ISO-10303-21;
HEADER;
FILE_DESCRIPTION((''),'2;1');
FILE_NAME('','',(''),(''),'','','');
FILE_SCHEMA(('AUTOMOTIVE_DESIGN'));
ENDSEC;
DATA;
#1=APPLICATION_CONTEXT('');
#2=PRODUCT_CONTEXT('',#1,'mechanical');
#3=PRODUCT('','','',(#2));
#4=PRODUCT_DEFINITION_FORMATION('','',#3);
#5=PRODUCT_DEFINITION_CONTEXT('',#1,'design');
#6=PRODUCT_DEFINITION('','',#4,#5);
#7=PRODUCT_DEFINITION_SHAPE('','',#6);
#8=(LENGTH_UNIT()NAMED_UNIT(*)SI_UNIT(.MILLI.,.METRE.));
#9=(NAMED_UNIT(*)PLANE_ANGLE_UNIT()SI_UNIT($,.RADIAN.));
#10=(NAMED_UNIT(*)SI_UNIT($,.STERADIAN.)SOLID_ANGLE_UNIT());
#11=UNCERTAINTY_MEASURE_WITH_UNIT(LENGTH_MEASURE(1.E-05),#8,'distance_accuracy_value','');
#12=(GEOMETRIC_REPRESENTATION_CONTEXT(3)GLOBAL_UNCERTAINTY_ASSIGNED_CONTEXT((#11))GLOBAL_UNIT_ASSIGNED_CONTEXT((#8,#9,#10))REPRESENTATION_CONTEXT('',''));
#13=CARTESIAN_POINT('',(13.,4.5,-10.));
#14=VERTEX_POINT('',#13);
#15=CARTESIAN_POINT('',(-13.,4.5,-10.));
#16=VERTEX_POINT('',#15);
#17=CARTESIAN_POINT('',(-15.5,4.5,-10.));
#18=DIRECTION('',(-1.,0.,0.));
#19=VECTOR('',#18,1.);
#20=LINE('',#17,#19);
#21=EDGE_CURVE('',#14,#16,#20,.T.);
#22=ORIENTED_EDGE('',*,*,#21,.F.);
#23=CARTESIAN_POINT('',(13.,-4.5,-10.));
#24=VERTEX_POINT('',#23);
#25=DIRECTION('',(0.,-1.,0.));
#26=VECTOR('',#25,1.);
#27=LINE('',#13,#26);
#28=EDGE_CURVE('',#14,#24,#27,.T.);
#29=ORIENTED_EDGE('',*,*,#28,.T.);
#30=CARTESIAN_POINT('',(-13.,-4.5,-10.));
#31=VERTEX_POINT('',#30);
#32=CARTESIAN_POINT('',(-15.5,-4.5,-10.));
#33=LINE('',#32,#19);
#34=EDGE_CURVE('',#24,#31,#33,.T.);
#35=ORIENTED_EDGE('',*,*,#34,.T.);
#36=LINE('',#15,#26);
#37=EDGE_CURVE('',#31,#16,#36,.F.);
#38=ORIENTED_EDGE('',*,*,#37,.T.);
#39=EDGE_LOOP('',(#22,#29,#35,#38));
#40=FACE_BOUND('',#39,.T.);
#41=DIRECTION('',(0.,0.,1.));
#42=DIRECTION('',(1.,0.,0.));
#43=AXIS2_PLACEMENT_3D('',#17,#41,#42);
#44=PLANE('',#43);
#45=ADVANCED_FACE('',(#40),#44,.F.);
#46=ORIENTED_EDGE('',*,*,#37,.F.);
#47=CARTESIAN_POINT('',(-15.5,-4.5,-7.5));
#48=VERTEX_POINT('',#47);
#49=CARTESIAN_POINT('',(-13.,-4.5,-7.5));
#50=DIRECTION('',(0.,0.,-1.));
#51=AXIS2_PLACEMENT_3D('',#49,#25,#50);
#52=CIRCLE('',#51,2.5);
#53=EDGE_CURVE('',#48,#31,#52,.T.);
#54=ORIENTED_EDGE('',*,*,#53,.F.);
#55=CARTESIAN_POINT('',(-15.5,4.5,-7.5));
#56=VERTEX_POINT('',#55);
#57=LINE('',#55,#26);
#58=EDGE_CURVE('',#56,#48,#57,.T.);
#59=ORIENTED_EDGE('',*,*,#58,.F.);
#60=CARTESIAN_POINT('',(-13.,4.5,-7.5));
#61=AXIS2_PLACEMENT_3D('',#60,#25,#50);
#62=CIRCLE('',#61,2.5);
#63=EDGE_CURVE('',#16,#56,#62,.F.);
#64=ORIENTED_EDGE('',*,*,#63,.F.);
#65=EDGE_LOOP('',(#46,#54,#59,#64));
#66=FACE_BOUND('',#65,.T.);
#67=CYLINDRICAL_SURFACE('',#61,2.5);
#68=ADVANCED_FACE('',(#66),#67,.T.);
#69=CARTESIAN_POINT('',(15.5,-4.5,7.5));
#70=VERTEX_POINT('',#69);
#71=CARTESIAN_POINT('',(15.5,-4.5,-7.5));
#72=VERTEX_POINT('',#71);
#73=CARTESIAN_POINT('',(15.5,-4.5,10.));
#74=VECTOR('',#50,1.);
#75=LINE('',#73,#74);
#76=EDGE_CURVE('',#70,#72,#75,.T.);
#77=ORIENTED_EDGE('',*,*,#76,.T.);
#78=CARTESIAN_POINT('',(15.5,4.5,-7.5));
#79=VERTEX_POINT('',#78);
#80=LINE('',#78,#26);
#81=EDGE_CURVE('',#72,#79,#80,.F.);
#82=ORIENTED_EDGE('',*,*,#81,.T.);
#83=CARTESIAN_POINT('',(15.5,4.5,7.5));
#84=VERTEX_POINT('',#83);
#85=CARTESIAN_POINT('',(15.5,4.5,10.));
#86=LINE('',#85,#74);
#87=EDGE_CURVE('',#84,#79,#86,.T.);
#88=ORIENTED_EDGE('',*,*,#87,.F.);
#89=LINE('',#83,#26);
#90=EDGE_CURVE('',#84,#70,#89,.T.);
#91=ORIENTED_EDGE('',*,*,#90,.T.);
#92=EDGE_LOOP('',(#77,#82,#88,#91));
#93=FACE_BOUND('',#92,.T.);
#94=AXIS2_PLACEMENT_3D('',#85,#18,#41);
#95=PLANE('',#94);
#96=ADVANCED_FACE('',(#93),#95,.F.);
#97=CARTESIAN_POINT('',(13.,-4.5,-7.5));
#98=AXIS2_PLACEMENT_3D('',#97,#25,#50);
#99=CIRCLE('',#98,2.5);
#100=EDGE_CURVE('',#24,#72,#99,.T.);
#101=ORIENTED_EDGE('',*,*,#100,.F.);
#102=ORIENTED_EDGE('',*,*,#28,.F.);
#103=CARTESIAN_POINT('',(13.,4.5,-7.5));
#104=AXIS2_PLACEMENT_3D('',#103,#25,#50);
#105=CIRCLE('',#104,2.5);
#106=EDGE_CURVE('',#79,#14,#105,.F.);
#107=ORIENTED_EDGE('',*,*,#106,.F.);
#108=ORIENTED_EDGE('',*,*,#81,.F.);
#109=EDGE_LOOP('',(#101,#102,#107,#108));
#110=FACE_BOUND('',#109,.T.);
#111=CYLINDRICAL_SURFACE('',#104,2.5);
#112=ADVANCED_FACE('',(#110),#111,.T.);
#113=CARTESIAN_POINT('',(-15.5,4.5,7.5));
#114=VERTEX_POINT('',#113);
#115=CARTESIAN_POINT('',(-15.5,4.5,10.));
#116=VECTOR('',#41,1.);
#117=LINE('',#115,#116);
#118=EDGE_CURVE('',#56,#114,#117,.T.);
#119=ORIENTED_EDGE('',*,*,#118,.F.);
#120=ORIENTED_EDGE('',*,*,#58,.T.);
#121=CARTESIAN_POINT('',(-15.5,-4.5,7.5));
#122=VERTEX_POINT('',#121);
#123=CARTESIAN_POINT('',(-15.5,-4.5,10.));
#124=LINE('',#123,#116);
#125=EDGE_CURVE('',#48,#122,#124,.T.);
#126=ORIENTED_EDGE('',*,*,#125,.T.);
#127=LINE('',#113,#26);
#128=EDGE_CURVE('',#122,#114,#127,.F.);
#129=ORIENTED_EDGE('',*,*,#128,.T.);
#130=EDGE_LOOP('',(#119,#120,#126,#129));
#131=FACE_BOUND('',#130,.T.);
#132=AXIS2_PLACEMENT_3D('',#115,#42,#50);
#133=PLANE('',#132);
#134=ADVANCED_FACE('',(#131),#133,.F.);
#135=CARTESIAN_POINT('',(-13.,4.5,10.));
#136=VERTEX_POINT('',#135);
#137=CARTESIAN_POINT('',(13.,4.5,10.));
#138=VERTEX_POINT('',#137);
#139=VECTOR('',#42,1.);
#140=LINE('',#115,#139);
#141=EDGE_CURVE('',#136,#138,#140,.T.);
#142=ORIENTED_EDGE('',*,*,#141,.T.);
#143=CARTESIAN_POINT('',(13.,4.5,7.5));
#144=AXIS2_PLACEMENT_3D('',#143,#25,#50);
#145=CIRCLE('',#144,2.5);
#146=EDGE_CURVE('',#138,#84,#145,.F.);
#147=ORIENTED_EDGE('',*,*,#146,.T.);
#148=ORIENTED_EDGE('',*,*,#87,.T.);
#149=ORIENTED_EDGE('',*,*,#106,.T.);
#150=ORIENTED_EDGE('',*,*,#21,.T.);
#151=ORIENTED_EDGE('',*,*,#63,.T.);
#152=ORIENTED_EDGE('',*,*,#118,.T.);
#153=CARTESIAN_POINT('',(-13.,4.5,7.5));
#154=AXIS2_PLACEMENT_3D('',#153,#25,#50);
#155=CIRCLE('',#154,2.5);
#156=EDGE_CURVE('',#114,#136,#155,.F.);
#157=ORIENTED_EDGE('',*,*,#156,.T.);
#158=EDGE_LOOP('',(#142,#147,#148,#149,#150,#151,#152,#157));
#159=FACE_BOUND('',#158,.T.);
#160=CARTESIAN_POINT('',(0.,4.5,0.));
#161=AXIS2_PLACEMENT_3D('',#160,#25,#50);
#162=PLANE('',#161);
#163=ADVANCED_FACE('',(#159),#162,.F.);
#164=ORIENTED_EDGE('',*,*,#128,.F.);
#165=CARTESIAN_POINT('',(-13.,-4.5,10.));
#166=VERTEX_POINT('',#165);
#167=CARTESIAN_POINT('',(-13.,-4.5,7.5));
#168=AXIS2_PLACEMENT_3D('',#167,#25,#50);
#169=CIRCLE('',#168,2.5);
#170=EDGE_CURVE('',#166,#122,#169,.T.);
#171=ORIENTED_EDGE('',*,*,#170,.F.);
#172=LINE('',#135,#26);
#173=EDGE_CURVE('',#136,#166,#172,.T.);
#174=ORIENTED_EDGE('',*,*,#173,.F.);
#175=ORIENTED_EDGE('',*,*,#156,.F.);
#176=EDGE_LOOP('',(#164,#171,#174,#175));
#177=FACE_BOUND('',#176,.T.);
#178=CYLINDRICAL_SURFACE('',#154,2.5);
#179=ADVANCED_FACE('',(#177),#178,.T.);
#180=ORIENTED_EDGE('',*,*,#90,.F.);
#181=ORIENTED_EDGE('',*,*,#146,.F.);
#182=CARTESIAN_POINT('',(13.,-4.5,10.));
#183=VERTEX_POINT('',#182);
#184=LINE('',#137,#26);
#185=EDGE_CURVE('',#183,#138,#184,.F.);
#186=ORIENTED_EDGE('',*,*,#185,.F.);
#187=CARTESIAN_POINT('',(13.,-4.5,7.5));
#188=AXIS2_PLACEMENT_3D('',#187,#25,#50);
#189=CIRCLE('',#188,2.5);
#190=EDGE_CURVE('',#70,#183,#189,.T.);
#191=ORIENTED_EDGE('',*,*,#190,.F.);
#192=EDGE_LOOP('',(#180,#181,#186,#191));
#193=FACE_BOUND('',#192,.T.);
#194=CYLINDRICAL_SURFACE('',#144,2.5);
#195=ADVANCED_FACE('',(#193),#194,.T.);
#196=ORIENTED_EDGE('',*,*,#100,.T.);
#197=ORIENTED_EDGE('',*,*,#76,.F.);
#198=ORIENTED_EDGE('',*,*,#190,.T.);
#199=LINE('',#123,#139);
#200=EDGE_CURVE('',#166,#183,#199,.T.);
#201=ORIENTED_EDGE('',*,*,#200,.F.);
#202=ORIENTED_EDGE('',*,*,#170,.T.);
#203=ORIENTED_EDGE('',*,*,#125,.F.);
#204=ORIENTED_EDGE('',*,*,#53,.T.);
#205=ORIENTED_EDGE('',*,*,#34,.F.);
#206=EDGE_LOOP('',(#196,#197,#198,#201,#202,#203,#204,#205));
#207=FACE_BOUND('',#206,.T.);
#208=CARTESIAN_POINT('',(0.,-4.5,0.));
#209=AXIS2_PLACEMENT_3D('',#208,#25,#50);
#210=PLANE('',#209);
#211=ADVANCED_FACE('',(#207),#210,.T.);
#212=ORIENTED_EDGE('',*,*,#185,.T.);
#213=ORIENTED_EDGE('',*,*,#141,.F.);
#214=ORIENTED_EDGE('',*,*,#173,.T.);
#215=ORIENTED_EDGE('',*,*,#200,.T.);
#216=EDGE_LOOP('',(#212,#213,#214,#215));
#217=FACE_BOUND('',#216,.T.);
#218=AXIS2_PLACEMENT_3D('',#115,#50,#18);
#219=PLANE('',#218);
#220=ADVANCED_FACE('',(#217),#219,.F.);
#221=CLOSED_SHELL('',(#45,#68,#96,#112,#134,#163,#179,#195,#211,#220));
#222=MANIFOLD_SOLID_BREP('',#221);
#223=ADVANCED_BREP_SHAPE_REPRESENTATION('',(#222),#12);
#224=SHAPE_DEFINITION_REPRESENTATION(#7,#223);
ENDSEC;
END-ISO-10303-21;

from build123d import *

# Parameters (mm, degrees)
SKETCH1_W           = 31
SKETCH1_H           = 20
BOSS_EXTRUDE1_DEPTH = 4.5
FILLET1_R           = 2.5


with BuildPart() as part:
    # Sketch1 → Boss-Extrude1 (new body, symmetric)
    with BuildSketch(Plane(origin=(0, 0, 0), x_dir=(1, 0, 0), z_dir=(0, 1, 0))):
        Rectangle(SKETCH1_W, SKETCH1_H)
    extrude(amount=BOSS_EXTRUDE1_DEPTH, both=True)

    # Fillet1
    fillet1_edges = [part.edges().sort_by_distance(p)[0] for p in [
        (15.5, 0, 10),
        (-15.5, 0, 10),
        (-15.5, 0, -10),
        (15.5, 0, -10),
    ]]
    fillet(fillet1_edges, radius=FILLET1_R)


solid = part.part
